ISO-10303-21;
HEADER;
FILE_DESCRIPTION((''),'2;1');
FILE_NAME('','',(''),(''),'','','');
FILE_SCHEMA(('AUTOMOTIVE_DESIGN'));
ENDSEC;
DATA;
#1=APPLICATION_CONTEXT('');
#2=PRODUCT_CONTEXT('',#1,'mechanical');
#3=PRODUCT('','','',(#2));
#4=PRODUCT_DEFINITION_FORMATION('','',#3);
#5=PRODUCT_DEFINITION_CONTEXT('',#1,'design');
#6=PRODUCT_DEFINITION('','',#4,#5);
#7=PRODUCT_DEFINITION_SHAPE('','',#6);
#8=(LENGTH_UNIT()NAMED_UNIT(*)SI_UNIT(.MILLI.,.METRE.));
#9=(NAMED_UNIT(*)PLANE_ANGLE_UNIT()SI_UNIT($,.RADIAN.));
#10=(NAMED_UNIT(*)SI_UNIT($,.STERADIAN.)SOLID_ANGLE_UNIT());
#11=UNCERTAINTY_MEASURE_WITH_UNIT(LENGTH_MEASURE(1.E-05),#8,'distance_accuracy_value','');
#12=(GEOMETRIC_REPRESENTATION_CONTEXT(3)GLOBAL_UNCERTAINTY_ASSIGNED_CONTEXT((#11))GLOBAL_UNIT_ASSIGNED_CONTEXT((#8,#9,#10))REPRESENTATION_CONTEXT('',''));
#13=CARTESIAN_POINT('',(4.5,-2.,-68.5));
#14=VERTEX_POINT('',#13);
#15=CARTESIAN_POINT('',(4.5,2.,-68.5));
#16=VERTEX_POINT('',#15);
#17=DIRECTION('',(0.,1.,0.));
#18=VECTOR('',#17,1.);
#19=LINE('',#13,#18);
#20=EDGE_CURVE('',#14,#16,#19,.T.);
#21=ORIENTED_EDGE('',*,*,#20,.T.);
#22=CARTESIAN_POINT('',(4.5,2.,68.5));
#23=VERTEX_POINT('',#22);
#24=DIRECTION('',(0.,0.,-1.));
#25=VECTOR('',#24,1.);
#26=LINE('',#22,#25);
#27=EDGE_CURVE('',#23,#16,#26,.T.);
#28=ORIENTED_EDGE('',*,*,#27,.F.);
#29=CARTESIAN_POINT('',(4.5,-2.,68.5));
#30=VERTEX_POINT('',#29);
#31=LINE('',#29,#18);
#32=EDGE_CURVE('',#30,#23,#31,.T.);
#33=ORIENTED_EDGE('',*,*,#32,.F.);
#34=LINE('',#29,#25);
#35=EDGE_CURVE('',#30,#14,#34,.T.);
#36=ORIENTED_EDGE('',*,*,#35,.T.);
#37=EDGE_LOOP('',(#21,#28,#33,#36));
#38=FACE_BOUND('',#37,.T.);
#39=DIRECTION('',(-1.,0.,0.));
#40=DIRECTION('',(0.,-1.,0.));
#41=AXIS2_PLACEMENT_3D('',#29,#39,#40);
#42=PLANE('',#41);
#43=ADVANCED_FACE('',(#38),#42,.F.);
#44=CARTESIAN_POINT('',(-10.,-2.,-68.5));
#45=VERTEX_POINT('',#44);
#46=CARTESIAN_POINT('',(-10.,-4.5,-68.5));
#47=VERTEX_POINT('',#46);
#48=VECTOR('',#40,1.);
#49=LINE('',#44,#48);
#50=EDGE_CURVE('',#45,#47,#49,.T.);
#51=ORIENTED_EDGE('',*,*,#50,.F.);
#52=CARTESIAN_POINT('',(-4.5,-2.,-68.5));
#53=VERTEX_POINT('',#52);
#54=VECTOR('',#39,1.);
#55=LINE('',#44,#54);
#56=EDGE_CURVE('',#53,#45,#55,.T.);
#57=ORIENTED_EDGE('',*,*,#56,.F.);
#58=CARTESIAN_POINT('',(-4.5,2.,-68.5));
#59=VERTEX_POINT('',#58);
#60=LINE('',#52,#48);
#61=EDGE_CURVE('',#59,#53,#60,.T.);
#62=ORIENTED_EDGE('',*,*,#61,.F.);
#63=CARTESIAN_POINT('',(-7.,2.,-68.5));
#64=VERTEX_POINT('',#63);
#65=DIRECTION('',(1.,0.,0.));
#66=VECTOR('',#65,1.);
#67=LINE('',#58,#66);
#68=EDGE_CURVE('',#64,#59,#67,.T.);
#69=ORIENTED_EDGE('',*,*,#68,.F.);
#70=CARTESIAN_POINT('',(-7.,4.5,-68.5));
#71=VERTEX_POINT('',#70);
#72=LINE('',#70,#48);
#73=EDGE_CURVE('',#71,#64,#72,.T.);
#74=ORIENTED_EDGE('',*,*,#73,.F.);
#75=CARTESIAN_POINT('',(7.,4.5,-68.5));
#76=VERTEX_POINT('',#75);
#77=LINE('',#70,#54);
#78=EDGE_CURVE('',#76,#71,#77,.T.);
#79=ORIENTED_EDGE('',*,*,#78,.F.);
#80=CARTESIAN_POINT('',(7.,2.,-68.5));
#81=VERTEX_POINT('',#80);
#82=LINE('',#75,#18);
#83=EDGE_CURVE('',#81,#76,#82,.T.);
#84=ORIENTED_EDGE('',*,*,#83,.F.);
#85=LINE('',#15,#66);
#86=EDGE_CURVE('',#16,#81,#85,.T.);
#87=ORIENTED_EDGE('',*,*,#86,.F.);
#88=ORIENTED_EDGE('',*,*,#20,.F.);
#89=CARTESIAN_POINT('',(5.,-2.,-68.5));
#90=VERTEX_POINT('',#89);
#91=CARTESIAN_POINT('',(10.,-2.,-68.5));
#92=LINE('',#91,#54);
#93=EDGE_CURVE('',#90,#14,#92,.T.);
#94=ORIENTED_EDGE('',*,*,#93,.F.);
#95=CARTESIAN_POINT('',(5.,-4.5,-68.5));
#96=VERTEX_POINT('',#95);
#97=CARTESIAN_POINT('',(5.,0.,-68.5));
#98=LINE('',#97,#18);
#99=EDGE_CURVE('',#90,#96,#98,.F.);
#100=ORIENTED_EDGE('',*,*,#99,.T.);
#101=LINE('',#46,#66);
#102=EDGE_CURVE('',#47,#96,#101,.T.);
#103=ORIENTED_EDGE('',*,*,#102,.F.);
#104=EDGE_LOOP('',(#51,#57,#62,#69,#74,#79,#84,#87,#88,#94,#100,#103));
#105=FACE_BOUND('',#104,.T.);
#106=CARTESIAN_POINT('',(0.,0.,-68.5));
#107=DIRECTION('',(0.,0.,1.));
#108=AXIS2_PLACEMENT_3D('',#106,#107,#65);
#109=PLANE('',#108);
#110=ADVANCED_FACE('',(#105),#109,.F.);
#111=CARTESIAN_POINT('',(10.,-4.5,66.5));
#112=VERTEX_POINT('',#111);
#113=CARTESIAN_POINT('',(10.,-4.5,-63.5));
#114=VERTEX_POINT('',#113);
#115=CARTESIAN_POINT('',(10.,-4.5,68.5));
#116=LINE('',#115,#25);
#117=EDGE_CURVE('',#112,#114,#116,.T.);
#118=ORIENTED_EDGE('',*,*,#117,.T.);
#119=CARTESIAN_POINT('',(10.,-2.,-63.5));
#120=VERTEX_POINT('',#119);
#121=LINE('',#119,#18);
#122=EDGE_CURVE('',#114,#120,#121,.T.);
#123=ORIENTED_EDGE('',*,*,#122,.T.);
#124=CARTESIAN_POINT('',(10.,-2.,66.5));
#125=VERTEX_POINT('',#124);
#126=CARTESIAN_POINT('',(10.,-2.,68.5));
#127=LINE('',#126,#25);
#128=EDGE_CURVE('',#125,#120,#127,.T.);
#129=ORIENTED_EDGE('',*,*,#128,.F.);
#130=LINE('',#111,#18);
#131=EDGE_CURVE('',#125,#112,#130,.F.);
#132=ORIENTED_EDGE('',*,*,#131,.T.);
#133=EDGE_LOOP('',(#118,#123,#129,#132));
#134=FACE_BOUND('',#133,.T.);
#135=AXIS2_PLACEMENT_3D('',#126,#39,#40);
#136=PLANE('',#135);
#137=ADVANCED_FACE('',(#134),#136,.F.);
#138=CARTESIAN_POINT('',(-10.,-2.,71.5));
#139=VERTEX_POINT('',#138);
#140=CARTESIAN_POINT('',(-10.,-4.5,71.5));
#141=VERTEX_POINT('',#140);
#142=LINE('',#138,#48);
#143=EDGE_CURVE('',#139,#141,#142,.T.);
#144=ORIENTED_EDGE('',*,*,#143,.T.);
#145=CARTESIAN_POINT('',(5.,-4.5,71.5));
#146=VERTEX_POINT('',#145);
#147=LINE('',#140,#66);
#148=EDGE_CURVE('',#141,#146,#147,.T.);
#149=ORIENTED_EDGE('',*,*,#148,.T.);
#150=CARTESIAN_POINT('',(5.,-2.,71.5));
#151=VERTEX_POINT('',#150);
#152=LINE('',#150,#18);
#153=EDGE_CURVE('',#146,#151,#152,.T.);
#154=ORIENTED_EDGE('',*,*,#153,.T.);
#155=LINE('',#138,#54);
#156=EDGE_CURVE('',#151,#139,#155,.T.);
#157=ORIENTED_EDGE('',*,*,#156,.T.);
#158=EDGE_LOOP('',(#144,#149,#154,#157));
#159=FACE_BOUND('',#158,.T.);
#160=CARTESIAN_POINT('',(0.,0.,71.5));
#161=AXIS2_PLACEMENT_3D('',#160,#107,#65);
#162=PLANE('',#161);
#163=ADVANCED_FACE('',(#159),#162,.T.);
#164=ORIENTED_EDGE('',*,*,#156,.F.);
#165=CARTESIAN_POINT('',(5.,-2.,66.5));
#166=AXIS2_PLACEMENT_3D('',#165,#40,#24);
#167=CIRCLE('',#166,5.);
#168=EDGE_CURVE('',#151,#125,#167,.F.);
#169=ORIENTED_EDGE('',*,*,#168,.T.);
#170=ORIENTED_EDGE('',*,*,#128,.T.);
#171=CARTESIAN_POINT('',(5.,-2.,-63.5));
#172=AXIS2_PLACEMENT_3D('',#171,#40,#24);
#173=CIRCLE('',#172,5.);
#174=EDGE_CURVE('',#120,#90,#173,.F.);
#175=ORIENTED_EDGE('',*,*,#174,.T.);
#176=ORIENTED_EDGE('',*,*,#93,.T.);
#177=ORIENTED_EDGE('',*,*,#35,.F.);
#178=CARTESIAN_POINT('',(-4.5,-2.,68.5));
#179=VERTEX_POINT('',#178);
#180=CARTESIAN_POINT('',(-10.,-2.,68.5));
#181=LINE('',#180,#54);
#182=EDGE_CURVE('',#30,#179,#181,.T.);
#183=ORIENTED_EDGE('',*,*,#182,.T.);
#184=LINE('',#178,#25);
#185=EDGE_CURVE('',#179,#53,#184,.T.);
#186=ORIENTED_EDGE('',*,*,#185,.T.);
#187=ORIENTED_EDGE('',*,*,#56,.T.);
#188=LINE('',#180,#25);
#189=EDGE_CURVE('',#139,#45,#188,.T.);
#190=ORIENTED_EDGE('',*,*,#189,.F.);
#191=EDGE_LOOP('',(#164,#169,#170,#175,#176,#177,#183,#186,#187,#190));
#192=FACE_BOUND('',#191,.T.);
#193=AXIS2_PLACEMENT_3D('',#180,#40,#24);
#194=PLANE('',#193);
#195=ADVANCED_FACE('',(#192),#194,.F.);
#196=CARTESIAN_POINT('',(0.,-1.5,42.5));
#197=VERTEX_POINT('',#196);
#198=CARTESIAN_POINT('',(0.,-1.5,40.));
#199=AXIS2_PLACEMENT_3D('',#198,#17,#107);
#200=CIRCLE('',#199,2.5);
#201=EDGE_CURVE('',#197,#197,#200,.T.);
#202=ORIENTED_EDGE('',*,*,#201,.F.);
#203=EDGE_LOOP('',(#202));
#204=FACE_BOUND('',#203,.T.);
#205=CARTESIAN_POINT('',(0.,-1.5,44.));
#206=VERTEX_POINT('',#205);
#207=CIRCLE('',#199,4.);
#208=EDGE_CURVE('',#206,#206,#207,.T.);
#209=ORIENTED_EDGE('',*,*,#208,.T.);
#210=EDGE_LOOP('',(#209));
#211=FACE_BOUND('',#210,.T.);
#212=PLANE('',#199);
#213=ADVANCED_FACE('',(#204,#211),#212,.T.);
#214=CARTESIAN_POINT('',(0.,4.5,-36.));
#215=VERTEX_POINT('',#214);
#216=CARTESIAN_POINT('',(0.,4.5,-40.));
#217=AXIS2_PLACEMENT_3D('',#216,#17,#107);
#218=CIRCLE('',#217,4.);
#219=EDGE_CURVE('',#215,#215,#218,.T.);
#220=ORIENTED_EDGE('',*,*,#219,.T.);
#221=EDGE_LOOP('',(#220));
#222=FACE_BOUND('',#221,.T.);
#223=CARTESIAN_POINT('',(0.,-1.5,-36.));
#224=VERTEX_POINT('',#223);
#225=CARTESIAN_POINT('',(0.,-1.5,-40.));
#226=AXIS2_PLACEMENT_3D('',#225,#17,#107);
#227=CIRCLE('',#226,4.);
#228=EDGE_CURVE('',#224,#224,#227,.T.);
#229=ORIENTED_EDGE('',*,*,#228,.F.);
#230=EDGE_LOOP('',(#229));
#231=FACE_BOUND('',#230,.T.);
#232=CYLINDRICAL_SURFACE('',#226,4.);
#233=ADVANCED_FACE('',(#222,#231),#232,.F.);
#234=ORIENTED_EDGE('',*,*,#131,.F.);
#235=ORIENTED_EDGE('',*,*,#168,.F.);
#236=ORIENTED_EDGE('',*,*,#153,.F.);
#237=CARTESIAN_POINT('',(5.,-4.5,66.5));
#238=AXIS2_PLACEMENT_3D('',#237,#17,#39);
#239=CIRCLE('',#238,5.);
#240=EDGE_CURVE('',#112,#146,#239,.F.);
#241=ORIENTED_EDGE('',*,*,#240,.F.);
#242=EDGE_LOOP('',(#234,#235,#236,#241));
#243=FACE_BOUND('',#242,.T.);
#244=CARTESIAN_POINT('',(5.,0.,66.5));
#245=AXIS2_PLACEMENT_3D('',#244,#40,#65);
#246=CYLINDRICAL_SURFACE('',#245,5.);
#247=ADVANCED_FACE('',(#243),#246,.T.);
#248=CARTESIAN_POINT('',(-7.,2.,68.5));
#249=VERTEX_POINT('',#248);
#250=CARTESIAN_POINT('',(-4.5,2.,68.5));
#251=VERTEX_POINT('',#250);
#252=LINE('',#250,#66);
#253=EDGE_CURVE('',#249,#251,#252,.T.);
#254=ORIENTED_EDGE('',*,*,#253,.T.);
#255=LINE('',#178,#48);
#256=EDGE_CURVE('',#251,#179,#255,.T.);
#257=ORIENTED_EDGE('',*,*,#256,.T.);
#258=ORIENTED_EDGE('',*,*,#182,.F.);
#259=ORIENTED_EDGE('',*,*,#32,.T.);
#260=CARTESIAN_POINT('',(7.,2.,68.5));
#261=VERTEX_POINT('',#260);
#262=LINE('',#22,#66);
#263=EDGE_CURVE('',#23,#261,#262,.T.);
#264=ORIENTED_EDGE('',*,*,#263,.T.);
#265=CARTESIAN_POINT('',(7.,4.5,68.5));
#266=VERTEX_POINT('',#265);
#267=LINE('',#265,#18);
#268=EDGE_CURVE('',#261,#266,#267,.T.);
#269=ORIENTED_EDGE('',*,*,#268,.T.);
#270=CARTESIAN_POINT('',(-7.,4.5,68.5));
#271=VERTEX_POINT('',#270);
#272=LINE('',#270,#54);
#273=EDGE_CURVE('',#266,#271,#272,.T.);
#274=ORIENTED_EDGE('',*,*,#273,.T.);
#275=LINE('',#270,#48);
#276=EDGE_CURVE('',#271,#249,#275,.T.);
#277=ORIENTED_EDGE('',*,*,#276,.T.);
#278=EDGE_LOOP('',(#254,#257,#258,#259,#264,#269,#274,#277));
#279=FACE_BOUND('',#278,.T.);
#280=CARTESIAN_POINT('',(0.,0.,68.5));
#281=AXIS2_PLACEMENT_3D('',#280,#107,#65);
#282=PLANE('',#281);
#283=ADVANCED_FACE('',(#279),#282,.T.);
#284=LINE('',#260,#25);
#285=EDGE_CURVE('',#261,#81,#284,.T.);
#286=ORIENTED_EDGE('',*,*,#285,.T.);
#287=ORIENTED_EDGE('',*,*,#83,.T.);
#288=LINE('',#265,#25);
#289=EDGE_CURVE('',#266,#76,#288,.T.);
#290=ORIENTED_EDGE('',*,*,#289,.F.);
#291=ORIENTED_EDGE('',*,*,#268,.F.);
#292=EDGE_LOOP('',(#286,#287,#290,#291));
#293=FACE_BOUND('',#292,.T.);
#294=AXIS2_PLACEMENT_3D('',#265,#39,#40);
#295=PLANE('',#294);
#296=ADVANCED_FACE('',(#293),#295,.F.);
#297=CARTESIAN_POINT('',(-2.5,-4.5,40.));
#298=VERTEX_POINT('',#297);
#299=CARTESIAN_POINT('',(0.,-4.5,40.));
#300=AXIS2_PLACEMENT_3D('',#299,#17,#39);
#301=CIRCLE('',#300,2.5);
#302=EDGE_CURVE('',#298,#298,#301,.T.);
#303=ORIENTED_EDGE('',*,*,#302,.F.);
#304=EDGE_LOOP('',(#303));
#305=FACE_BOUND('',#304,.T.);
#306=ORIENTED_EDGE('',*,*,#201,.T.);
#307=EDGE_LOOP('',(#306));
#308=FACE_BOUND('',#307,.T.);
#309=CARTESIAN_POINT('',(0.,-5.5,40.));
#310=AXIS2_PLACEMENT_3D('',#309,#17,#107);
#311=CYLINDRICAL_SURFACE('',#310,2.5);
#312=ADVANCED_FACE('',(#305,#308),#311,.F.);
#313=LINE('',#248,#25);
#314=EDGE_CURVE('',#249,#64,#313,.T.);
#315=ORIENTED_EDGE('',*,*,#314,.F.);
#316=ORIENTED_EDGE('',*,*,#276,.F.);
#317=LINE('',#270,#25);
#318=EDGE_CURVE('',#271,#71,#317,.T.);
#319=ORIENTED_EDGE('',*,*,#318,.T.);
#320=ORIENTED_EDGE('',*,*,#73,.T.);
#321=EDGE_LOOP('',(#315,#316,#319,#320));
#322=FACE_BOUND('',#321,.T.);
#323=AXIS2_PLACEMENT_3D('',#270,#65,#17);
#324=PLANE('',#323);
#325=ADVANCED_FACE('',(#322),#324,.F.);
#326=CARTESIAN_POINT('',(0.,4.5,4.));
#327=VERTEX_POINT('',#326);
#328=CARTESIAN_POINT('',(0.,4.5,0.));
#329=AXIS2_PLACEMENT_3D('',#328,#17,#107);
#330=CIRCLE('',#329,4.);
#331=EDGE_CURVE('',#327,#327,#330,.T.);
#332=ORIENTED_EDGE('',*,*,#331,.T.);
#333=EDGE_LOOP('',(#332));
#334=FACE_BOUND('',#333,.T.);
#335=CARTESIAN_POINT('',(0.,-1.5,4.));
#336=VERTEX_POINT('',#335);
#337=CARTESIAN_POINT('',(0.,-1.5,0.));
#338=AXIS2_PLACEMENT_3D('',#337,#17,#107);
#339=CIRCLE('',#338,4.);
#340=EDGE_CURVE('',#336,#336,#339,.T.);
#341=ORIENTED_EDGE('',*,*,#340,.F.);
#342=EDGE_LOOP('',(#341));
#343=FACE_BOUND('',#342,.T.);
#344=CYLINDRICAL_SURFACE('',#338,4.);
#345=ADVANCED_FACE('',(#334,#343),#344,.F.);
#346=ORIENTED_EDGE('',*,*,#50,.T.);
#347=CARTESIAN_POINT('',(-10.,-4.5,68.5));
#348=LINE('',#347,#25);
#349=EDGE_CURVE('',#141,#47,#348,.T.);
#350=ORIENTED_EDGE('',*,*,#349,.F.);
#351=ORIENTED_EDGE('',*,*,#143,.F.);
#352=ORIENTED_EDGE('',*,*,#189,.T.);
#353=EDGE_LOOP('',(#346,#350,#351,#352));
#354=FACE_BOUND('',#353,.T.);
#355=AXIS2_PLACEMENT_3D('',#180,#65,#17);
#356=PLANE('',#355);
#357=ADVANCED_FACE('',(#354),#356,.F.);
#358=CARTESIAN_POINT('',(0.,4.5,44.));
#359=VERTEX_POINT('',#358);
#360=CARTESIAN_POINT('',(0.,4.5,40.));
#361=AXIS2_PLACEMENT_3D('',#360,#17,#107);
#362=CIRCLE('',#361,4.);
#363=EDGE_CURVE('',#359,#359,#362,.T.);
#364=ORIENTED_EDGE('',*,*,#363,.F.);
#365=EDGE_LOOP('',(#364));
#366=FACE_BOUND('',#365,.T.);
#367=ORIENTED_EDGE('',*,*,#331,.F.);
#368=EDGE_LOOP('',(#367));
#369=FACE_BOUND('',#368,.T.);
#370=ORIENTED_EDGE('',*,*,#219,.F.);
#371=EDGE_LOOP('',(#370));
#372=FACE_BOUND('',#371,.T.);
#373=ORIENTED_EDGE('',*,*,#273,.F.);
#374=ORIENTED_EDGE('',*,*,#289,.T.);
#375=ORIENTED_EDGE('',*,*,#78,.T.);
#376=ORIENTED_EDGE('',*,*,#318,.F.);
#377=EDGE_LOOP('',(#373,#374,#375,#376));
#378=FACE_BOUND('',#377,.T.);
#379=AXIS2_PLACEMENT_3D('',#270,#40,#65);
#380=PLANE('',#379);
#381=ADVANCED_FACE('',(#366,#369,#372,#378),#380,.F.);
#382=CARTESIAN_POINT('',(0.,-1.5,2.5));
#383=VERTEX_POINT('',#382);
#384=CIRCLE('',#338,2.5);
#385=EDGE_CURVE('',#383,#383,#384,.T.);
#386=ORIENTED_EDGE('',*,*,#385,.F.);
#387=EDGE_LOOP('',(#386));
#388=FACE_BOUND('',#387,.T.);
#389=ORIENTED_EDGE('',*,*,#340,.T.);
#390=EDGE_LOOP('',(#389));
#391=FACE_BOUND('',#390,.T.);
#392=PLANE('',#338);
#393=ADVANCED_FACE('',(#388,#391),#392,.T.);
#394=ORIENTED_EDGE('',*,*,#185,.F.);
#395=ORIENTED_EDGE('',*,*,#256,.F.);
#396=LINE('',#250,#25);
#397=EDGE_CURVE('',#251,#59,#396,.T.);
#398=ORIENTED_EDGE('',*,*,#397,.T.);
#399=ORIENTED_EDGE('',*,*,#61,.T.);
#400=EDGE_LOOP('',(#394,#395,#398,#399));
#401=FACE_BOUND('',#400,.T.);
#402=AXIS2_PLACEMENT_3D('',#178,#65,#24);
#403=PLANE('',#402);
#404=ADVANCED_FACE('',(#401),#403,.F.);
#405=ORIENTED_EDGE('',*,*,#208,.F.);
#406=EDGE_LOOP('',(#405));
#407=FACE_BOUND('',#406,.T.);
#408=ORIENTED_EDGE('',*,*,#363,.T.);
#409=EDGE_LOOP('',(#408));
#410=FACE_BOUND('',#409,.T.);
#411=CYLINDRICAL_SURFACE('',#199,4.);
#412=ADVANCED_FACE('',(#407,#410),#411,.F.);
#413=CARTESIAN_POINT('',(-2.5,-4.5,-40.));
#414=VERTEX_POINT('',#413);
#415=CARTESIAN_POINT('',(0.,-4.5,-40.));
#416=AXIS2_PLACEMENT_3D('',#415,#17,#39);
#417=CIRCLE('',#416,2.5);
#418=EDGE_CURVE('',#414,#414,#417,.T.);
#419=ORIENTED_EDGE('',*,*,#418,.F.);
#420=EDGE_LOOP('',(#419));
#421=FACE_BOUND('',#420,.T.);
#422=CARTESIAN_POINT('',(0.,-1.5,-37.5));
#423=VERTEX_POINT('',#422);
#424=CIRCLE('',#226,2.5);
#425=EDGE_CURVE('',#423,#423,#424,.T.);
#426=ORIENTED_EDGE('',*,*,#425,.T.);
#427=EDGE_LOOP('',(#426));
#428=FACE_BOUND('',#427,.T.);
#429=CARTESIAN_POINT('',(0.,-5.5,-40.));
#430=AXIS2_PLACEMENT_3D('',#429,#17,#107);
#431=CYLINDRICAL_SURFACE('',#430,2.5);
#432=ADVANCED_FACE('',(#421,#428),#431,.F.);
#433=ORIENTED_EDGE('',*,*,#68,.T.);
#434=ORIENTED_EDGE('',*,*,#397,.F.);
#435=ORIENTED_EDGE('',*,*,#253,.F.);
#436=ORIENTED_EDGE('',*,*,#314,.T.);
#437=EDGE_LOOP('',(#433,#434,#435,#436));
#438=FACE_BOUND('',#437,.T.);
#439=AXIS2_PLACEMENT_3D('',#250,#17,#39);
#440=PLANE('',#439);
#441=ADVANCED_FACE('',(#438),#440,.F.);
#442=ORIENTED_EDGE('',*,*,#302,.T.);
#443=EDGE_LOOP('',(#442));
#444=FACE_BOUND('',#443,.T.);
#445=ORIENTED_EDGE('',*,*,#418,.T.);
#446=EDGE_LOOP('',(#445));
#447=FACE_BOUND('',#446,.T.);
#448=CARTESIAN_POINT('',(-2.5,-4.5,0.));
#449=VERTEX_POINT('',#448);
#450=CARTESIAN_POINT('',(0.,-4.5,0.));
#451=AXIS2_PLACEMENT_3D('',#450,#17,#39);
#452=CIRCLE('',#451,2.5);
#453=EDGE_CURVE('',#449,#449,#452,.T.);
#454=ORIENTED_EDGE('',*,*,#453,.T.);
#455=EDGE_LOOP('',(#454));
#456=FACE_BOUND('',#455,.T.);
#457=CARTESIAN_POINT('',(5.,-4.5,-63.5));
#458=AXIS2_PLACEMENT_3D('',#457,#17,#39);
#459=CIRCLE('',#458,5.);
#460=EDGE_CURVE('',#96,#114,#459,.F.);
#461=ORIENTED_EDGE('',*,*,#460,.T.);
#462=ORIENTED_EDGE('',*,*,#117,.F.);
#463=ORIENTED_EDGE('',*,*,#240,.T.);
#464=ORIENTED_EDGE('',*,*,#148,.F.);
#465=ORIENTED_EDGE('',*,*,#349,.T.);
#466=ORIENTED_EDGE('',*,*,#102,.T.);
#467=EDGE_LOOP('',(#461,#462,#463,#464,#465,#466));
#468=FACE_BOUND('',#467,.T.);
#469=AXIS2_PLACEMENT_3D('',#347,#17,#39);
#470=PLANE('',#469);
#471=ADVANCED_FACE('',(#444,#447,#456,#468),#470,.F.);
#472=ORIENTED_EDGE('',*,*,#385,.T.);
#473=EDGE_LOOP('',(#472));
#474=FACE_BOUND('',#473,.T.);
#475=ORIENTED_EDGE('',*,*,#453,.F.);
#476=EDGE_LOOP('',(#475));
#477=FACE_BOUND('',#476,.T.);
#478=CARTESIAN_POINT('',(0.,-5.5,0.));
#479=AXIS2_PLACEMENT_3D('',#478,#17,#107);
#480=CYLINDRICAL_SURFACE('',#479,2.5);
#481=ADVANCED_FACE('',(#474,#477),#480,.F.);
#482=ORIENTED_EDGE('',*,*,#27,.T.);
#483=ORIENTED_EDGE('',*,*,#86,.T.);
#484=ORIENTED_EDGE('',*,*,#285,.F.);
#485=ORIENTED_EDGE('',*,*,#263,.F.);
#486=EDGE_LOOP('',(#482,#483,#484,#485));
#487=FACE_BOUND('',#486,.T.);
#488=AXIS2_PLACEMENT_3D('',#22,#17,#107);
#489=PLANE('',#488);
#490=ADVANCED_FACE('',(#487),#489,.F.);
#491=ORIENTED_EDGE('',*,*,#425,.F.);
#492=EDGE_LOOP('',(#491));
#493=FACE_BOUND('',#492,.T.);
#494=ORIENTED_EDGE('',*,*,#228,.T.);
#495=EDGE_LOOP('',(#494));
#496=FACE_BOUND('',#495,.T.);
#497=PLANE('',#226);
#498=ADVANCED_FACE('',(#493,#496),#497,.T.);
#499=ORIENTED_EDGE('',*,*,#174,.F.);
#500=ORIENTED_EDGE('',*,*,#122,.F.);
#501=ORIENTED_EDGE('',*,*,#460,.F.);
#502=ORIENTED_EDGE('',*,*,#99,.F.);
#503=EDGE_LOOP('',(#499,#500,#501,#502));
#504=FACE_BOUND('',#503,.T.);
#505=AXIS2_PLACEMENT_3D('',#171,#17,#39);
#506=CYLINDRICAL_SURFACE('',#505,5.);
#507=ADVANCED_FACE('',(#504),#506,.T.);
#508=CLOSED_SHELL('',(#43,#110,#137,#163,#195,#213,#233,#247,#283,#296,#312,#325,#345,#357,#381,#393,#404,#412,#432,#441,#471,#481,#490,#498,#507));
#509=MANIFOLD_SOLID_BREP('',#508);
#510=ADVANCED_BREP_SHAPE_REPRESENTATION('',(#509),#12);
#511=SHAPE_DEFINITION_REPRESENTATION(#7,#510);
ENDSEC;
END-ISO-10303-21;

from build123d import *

# Parameters (mm, degrees)
BOSS_EXTRUDE2_DEPTH = 68.5
SKETCH4_R           = 4
CUT_EXTRUDE1_DEPTH  = 6
SKETCH5_R           = 2.5
CUT_EXTRUDE2_DEPTH  = 4
SKETCH7_W           = 20
SKETCH7_H           = 2.5
BOSS_EXTRUDE6_DEPTH = 3
FILLET2_R           = 5


with BuildPart() as part:
    # Sketch1 → Boss-Extrude2 (new body, symmetric)
    with BuildSketch(Plane.XY):
        Polygon((-7, 4.5), (7, 4.5), (7, 2), (4.5, 2), (4.5, -2), (10, -2), (10, -4.5), (-10, -4.5), (-10, -2), (-4.5, -2), (-4.5, 2), (-7, 2), align=None)
    extrude(amount=BOSS_EXTRUDE2_DEPTH, both=True)

    # Sketch4 → Cut-Extrude1 (cut)
    with BuildSketch(Plane(origin=(0, 4.5, 0), x_dir=(1, 0, 0), z_dir=(0, 1, 0))):
        Circle(SKETCH4_R)
        with Locations((0, 40)):
            Circle(SKETCH4_R)
        with Locations((0, -40)):
            Circle(SKETCH4_R)
    extrude(amount=-CUT_EXTRUDE1_DEPTH, mode=Mode.SUBTRACT)

    # Sketch5 → Cut-Extrude2 (cut)
    with BuildSketch(Plane(origin=(0, -1.5, 0), x_dir=(1, 0, 0), z_dir=(0, 1, 0))):
        with Locations((0, 40)):
            Circle(SKETCH5_R)
        Circle(SKETCH5_R)
        with Locations((0, -40)):
            Circle(SKETCH5_R)
    extrude(amount=-CUT_EXTRUDE2_DEPTH, mode=Mode.SUBTRACT)

    # Sketch7 → Boss-Extrude6 (add)
    with BuildSketch(Plane.XY.offset(68.5)):
        with Locations((0, -3.25)):
            Rectangle(SKETCH7_W, SKETCH7_H)
    extrude(amount=BOSS_EXTRUDE6_DEPTH)

    # Fillet2
    fillet2_edges = [part.edges().sort_by_distance(p)[0] for p in [
        (10, -3.25, -68.5),
        (10, -3.25, 71.5),
    ]]
    fillet(fillet2_edges, radius=FILLET2_R)


solid = part.part
